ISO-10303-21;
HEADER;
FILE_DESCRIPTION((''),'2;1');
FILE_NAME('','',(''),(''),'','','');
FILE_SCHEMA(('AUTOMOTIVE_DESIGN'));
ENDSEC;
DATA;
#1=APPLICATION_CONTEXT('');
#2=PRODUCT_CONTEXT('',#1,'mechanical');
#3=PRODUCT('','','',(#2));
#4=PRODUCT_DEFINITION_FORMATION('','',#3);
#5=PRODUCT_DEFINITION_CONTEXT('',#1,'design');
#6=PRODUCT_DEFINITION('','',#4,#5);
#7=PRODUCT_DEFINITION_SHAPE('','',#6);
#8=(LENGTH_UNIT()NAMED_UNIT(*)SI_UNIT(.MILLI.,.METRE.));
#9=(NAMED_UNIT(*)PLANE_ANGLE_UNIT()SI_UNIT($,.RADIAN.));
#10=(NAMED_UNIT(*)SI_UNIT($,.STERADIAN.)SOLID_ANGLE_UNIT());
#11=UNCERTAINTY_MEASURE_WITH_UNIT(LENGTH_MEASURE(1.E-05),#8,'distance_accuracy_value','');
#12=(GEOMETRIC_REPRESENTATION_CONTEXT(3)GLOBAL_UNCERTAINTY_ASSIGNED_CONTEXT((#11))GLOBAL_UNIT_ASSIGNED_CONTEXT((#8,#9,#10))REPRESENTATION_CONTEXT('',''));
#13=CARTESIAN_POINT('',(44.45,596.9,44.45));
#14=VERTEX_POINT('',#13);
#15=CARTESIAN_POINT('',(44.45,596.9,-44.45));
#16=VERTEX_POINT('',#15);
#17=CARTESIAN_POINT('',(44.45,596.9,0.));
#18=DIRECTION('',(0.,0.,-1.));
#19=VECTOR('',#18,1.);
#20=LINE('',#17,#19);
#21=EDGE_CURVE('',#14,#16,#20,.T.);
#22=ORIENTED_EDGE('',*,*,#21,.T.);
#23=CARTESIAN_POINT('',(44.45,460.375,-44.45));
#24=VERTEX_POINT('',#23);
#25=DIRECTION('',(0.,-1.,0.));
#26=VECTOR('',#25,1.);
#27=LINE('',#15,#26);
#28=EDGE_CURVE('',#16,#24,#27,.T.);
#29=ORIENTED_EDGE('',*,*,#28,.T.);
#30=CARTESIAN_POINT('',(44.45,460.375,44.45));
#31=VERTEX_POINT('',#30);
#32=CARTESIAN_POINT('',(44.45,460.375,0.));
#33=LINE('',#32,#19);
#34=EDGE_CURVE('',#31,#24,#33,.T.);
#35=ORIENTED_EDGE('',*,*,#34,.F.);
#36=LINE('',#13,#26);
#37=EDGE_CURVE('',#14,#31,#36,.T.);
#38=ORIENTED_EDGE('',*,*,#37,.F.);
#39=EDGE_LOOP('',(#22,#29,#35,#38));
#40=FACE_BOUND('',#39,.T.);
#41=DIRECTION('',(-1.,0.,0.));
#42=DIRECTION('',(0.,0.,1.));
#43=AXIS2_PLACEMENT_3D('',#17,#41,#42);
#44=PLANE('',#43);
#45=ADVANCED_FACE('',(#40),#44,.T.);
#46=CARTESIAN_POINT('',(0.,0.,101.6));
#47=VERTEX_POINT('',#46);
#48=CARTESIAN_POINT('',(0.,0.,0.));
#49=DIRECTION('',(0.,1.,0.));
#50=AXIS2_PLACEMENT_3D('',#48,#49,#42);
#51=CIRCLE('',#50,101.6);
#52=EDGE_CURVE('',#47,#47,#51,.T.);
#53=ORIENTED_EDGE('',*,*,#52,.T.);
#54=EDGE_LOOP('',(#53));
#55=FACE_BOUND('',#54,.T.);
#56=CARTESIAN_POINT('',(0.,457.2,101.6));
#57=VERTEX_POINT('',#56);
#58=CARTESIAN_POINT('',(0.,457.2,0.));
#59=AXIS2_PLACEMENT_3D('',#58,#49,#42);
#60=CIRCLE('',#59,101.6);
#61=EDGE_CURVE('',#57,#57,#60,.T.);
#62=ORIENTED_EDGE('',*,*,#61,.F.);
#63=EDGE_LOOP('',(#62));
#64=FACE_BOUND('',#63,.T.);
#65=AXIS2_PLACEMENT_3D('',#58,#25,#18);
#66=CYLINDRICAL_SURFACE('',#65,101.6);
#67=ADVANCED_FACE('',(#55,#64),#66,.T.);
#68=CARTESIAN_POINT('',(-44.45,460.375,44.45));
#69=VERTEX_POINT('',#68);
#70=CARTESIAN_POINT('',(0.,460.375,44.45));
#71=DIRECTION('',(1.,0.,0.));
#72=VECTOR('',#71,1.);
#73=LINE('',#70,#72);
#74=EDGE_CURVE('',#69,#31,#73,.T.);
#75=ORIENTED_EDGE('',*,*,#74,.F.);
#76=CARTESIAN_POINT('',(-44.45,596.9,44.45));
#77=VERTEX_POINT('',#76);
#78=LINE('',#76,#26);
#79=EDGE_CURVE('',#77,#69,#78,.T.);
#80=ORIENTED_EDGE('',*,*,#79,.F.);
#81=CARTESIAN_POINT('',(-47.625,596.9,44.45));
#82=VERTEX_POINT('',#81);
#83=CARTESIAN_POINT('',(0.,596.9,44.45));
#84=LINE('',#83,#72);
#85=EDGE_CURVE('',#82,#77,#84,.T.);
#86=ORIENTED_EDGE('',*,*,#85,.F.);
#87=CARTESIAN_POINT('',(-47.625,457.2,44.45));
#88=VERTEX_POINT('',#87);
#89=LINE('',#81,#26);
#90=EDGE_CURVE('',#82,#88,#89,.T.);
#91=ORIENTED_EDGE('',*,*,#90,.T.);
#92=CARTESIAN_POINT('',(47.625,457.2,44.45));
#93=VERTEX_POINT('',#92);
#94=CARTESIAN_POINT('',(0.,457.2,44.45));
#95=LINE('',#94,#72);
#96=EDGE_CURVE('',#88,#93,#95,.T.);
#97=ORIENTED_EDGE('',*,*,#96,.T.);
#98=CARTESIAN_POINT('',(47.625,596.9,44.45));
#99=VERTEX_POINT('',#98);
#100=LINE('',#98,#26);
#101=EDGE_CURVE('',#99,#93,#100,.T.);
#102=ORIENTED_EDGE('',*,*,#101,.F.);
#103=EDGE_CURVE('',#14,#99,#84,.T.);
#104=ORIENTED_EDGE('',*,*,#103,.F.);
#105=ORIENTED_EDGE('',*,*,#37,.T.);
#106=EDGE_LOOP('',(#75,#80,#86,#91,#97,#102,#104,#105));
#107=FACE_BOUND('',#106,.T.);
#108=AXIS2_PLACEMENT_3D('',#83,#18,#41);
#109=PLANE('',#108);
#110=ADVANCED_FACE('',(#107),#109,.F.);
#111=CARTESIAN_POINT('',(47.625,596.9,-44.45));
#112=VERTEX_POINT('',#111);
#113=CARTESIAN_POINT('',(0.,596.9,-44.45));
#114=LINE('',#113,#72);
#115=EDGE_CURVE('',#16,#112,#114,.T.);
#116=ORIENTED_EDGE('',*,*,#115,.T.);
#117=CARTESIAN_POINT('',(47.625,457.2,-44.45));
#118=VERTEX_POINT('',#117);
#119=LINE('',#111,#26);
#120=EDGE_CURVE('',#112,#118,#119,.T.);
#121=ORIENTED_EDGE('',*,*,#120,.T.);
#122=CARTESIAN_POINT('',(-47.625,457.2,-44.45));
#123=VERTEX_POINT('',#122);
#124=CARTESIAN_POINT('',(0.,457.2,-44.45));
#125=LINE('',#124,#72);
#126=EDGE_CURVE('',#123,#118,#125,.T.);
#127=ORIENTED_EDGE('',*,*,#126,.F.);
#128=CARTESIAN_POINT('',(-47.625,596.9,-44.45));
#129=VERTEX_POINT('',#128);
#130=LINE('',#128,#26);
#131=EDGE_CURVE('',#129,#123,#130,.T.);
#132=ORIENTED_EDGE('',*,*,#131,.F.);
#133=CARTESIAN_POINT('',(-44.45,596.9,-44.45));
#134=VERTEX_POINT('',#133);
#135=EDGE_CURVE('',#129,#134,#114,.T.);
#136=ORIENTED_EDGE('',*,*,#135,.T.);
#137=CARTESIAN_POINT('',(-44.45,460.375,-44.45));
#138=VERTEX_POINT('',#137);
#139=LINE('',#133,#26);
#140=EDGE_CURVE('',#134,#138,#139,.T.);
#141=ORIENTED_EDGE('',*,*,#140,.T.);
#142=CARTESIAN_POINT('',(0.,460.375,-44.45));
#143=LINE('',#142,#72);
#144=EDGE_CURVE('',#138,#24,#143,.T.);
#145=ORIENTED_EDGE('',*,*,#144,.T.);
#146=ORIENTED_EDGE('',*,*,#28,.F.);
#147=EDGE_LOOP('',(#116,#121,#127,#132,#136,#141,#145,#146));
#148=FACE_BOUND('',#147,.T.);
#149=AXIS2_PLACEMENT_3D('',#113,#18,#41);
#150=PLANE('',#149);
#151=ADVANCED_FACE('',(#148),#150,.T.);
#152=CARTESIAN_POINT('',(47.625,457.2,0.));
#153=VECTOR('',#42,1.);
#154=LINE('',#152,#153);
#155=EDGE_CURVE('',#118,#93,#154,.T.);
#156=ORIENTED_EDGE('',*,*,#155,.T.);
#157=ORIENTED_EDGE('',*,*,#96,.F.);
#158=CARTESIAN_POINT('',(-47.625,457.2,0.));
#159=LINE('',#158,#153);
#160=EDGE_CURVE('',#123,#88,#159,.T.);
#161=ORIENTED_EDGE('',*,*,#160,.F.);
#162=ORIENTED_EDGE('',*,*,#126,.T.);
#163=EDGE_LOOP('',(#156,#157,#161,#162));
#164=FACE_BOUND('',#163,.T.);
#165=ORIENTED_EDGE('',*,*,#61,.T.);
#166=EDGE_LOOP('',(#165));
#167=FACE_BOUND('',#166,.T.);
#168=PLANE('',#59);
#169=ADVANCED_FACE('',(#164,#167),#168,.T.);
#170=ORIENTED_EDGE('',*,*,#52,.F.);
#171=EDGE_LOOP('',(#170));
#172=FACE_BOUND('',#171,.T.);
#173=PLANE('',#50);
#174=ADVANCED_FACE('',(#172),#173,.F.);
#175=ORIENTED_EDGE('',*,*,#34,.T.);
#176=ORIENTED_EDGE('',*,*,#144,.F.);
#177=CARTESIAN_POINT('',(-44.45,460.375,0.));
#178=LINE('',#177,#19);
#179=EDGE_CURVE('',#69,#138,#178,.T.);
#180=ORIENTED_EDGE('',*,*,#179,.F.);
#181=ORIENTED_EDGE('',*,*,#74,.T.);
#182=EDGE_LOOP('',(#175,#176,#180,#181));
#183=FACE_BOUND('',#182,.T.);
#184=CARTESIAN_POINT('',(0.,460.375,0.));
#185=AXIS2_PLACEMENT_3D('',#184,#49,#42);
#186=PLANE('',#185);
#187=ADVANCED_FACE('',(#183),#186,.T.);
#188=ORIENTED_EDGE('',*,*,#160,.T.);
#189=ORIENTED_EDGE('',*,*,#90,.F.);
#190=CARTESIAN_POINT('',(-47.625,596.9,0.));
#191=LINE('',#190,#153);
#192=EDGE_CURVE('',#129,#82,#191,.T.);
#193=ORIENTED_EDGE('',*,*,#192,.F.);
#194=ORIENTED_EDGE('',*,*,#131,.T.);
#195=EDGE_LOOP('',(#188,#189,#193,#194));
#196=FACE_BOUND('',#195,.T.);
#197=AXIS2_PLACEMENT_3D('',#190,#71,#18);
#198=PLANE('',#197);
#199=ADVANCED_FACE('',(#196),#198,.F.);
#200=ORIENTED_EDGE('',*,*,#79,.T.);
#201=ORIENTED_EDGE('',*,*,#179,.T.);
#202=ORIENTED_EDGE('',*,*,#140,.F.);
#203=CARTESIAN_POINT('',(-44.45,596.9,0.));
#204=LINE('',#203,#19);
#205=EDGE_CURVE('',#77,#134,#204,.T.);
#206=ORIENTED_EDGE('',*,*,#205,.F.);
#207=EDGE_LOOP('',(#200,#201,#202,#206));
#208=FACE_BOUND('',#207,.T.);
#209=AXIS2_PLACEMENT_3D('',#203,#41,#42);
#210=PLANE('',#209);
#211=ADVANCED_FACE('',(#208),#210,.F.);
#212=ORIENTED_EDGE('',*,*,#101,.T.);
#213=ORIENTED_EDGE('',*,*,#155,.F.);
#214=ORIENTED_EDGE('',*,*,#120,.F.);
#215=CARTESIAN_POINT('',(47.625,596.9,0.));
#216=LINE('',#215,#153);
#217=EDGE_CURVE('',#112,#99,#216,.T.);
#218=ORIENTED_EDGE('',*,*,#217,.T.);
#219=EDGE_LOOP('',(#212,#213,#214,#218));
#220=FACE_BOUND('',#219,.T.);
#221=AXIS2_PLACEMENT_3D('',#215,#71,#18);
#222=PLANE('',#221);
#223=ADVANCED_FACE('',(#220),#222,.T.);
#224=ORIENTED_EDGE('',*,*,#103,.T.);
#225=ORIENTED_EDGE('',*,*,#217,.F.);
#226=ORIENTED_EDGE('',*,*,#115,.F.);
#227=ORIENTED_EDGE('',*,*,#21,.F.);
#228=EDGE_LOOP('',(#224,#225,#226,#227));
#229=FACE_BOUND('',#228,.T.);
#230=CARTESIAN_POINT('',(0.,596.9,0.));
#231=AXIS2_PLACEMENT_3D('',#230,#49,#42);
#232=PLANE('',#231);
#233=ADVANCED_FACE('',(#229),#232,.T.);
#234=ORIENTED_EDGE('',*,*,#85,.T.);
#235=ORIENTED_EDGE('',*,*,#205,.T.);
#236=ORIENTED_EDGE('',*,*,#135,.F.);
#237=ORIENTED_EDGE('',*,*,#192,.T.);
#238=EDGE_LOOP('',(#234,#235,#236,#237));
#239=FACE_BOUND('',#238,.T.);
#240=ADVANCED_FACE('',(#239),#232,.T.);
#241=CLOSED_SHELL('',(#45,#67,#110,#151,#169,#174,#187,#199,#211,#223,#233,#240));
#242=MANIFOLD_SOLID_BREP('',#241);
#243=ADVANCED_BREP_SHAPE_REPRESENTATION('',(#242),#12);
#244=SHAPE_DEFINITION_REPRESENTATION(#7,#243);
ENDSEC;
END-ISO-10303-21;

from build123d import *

# Parameters (mm, degrees)
SKETCH1_R           = 101.6
BOSS_EXTRUDE1_DEPTH = 457.2
SKETCH2_W           = 3.175
SKETCH2_H           = 88.9
BOSS_EXTRUDE3_DEPTH = 139.7
SKETCH2_3_W         = 88.9
SKETCH2_3_H         = 88.9
BOSS_EXTRUDE4_DEPTH = 3.175


with BuildPart() as part:
    # Sketch1 → Boss-Extrude1 (new body)
    with BuildSketch(Plane(origin=(0, 0, 0), x_dir=(1, 0, 0), z_dir=(0, 1, 0))):
        Circle(SKETCH1_R)
    extrude(amount=BOSS_EXTRUDE1_DEPTH)

    # Sketch2 → Boss-Extrude3 (add)
    with BuildSketch(Plane(origin=(0, 457.2, 0), x_dir=(1, 0, 0), z_dir=(0, 1, 0))):
        with Locations((46.0375, 0)):
            Rectangle(SKETCH2_W, SKETCH2_H)
        with Locations((-46.0375, 0)):
            Rectangle(SKETCH2_W, SKETCH2_H)
    extrude(amount=BOSS_EXTRUDE3_DEPTH)

    # Sketch2<3> → Boss-Extrude4 (add)
    with BuildSketch(Plane(origin=(0, 457.2, 0), x_dir=(1, 0, 0), z_dir=(0, 1, 0))):
        Rectangle(SKETCH2_3_W, SKETCH2_3_H)
    extrude(amount=BOSS_EXTRUDE4_DEPTH)


solid = part.part
